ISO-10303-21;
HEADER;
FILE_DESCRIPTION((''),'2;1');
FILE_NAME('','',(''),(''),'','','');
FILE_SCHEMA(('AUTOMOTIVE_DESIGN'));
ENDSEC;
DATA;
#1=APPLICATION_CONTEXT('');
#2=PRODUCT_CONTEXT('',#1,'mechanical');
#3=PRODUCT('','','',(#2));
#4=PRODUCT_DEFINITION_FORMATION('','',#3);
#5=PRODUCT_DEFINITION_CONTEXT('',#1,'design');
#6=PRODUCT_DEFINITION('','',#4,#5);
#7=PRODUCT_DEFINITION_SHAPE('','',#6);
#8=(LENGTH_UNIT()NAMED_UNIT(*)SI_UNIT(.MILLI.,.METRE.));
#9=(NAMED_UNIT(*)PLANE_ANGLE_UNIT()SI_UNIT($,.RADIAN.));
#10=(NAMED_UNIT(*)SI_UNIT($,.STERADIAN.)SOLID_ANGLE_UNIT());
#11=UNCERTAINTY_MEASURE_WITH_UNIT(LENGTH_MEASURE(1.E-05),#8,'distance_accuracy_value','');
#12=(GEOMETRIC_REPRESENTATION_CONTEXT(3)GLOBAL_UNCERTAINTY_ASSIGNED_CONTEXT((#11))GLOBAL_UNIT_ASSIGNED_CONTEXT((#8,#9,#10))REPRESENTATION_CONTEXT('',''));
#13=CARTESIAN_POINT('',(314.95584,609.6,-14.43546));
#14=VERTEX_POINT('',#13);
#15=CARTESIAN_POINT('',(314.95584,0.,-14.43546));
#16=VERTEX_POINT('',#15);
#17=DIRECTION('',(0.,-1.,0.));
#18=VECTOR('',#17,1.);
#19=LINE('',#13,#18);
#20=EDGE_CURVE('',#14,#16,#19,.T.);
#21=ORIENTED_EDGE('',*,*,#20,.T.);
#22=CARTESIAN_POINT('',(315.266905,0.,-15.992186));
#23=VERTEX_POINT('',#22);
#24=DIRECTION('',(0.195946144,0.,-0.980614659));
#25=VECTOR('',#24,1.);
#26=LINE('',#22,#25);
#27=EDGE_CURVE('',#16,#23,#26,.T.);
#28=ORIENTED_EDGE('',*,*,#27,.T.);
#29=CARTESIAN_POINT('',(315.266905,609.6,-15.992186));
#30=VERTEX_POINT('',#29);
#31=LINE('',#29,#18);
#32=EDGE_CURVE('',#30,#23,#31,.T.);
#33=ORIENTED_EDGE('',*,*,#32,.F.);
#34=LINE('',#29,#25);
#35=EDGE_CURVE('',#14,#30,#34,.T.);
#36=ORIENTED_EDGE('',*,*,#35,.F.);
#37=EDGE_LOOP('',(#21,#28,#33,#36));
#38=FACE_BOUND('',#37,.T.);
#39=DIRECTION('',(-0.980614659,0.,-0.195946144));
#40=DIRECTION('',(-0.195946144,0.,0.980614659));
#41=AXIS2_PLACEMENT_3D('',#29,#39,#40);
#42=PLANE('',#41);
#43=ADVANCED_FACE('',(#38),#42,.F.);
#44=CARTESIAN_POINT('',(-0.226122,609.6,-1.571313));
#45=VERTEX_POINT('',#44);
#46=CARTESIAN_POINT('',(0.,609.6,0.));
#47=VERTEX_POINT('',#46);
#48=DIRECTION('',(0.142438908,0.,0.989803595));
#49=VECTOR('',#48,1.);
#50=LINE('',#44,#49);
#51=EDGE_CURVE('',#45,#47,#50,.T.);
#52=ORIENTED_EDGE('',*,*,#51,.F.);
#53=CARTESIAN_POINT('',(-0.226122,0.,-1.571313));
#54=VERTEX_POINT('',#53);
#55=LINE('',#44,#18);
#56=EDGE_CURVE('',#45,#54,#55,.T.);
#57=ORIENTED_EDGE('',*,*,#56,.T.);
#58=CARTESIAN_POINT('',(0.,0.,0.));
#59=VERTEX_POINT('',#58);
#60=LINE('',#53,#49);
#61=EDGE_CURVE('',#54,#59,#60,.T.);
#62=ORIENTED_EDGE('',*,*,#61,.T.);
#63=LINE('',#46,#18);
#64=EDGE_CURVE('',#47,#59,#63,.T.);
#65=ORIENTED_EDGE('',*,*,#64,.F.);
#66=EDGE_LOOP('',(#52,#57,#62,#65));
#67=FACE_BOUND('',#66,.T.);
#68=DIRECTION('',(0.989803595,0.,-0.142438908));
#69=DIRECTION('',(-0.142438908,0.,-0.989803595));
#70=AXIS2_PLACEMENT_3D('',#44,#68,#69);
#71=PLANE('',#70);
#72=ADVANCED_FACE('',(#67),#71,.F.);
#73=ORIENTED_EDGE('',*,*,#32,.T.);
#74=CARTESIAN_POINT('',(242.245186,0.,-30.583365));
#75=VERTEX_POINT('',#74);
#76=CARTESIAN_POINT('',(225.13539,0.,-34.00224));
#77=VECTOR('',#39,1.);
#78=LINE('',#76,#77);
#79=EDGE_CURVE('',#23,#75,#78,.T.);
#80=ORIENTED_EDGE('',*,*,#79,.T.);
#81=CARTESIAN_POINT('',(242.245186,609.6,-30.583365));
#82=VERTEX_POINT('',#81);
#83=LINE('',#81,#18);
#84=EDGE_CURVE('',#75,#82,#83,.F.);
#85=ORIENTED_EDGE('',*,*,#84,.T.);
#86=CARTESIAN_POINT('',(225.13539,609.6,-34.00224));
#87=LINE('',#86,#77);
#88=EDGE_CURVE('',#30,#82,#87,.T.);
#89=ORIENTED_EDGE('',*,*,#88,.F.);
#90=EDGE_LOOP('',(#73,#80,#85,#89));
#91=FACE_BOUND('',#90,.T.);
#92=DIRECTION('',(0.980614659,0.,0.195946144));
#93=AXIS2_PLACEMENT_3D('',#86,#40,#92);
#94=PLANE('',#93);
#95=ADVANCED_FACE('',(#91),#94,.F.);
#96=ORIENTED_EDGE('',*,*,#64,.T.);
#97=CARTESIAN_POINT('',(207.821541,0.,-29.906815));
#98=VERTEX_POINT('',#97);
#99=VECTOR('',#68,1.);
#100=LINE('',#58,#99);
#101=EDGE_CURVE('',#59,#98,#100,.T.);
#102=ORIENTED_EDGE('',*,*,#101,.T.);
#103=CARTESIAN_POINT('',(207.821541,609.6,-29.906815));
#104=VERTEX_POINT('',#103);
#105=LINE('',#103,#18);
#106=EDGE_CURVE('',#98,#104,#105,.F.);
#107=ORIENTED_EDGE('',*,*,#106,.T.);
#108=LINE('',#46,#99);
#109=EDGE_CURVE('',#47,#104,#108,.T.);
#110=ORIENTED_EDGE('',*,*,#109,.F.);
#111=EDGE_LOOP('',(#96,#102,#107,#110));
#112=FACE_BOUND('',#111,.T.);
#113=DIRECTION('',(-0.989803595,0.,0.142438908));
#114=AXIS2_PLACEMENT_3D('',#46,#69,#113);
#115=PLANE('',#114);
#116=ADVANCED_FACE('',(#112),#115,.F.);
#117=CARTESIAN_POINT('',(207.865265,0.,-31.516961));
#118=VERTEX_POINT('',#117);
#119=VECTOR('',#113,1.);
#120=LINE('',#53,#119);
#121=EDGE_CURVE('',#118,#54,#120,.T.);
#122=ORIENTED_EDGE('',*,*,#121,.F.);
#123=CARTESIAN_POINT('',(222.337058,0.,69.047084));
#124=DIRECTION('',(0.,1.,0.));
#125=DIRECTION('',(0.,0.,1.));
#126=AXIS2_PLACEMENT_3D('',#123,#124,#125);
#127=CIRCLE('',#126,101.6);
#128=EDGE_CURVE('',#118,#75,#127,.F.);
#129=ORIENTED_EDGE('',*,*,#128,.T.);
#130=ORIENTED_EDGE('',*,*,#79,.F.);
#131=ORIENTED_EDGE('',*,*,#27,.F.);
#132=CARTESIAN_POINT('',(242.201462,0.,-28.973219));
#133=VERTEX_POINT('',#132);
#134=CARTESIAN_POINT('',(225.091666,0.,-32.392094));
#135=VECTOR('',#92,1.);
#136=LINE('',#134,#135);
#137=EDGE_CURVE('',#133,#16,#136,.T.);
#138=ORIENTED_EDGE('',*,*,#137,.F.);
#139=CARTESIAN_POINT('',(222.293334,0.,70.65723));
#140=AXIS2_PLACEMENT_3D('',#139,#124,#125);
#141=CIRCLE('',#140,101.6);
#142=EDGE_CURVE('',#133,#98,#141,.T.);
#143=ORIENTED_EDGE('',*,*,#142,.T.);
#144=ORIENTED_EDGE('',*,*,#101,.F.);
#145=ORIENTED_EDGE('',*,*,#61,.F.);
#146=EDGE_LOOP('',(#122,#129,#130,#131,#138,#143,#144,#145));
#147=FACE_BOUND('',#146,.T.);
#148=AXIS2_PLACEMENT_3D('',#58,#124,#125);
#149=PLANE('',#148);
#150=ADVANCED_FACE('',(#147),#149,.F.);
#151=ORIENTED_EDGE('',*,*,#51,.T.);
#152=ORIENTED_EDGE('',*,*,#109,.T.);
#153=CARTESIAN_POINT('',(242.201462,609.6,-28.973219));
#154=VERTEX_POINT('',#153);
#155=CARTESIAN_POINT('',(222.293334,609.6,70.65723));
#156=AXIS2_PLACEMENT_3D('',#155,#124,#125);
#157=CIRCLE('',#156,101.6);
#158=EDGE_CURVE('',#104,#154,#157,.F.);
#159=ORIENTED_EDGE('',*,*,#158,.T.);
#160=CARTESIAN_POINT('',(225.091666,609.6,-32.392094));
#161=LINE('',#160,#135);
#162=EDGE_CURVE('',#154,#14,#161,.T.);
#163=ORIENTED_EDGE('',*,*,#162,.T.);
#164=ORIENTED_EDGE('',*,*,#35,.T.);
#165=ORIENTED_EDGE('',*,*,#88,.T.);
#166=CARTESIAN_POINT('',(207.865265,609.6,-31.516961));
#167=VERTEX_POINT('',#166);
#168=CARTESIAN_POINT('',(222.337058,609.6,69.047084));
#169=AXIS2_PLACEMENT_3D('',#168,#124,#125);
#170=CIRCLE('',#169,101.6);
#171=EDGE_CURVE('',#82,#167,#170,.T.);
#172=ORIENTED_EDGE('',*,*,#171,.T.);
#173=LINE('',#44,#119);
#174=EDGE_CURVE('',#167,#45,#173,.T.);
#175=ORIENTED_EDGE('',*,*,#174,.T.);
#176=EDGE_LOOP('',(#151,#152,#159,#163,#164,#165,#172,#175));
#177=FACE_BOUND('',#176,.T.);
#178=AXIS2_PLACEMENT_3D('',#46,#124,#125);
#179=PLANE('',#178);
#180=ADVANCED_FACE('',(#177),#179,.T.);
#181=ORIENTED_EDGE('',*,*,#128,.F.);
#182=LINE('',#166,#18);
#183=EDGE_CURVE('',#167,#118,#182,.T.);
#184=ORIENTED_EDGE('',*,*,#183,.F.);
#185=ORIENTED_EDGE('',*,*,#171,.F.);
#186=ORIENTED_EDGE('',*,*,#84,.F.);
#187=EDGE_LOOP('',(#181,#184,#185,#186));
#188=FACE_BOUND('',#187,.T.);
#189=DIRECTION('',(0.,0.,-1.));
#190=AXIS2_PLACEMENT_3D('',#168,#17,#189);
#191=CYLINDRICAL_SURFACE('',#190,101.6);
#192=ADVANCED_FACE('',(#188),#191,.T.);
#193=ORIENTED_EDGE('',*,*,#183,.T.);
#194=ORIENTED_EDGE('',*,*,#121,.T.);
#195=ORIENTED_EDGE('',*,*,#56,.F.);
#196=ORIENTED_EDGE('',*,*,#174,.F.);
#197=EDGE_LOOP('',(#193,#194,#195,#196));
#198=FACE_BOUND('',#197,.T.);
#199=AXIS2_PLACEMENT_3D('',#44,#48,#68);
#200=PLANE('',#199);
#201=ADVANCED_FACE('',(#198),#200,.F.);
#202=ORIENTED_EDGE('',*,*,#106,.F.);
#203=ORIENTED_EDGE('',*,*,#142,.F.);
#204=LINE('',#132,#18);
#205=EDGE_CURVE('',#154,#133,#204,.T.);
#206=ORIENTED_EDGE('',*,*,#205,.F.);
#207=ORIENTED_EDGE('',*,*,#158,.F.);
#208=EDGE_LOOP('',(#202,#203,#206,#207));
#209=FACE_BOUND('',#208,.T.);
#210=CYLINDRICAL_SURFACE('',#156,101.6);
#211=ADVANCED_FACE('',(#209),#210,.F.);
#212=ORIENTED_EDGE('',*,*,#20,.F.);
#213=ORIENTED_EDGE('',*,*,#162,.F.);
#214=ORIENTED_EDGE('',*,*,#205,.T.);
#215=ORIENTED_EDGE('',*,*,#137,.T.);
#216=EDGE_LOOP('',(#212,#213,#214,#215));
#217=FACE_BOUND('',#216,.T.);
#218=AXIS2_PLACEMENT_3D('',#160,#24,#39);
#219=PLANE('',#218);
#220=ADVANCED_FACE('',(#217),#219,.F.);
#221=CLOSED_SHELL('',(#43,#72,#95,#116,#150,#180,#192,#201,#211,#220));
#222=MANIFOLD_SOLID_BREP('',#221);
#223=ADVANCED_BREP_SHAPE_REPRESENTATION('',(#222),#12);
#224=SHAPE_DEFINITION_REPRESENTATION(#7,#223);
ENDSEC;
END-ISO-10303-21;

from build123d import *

# Parameters (mm, degrees)
FORCAD_DEPTH = 609.6
FILLET1_R    = 101.6


with BuildPart() as part:
    # Sketch1 → ForCAD (new body)
    with BuildSketch(Plane(origin=(0, 0, 0), x_dir=(1, 0, 0), z_dir=(0, 1, 0))):
        Polygon((0, 0), (225.091665708, 32.392093885), (314.955840223, 14.435459902), (315.266904727, 15.992185673), (225.135389647, 34.002239572), (-0.226121766, 1.571313208), align=None)
    extrude(amount=FORCAD_DEPTH)

    # Fillet1
    fillet1_edges = [part.edges().sort_by_distance(p)[0] for p in [
        (225.135389647, 304.8, -34.002239572),
        (225.091665708, 304.8, -32.392093885),
    ]]
    fillet(fillet1_edges, radius=FILLET1_R)


solid = part.part
